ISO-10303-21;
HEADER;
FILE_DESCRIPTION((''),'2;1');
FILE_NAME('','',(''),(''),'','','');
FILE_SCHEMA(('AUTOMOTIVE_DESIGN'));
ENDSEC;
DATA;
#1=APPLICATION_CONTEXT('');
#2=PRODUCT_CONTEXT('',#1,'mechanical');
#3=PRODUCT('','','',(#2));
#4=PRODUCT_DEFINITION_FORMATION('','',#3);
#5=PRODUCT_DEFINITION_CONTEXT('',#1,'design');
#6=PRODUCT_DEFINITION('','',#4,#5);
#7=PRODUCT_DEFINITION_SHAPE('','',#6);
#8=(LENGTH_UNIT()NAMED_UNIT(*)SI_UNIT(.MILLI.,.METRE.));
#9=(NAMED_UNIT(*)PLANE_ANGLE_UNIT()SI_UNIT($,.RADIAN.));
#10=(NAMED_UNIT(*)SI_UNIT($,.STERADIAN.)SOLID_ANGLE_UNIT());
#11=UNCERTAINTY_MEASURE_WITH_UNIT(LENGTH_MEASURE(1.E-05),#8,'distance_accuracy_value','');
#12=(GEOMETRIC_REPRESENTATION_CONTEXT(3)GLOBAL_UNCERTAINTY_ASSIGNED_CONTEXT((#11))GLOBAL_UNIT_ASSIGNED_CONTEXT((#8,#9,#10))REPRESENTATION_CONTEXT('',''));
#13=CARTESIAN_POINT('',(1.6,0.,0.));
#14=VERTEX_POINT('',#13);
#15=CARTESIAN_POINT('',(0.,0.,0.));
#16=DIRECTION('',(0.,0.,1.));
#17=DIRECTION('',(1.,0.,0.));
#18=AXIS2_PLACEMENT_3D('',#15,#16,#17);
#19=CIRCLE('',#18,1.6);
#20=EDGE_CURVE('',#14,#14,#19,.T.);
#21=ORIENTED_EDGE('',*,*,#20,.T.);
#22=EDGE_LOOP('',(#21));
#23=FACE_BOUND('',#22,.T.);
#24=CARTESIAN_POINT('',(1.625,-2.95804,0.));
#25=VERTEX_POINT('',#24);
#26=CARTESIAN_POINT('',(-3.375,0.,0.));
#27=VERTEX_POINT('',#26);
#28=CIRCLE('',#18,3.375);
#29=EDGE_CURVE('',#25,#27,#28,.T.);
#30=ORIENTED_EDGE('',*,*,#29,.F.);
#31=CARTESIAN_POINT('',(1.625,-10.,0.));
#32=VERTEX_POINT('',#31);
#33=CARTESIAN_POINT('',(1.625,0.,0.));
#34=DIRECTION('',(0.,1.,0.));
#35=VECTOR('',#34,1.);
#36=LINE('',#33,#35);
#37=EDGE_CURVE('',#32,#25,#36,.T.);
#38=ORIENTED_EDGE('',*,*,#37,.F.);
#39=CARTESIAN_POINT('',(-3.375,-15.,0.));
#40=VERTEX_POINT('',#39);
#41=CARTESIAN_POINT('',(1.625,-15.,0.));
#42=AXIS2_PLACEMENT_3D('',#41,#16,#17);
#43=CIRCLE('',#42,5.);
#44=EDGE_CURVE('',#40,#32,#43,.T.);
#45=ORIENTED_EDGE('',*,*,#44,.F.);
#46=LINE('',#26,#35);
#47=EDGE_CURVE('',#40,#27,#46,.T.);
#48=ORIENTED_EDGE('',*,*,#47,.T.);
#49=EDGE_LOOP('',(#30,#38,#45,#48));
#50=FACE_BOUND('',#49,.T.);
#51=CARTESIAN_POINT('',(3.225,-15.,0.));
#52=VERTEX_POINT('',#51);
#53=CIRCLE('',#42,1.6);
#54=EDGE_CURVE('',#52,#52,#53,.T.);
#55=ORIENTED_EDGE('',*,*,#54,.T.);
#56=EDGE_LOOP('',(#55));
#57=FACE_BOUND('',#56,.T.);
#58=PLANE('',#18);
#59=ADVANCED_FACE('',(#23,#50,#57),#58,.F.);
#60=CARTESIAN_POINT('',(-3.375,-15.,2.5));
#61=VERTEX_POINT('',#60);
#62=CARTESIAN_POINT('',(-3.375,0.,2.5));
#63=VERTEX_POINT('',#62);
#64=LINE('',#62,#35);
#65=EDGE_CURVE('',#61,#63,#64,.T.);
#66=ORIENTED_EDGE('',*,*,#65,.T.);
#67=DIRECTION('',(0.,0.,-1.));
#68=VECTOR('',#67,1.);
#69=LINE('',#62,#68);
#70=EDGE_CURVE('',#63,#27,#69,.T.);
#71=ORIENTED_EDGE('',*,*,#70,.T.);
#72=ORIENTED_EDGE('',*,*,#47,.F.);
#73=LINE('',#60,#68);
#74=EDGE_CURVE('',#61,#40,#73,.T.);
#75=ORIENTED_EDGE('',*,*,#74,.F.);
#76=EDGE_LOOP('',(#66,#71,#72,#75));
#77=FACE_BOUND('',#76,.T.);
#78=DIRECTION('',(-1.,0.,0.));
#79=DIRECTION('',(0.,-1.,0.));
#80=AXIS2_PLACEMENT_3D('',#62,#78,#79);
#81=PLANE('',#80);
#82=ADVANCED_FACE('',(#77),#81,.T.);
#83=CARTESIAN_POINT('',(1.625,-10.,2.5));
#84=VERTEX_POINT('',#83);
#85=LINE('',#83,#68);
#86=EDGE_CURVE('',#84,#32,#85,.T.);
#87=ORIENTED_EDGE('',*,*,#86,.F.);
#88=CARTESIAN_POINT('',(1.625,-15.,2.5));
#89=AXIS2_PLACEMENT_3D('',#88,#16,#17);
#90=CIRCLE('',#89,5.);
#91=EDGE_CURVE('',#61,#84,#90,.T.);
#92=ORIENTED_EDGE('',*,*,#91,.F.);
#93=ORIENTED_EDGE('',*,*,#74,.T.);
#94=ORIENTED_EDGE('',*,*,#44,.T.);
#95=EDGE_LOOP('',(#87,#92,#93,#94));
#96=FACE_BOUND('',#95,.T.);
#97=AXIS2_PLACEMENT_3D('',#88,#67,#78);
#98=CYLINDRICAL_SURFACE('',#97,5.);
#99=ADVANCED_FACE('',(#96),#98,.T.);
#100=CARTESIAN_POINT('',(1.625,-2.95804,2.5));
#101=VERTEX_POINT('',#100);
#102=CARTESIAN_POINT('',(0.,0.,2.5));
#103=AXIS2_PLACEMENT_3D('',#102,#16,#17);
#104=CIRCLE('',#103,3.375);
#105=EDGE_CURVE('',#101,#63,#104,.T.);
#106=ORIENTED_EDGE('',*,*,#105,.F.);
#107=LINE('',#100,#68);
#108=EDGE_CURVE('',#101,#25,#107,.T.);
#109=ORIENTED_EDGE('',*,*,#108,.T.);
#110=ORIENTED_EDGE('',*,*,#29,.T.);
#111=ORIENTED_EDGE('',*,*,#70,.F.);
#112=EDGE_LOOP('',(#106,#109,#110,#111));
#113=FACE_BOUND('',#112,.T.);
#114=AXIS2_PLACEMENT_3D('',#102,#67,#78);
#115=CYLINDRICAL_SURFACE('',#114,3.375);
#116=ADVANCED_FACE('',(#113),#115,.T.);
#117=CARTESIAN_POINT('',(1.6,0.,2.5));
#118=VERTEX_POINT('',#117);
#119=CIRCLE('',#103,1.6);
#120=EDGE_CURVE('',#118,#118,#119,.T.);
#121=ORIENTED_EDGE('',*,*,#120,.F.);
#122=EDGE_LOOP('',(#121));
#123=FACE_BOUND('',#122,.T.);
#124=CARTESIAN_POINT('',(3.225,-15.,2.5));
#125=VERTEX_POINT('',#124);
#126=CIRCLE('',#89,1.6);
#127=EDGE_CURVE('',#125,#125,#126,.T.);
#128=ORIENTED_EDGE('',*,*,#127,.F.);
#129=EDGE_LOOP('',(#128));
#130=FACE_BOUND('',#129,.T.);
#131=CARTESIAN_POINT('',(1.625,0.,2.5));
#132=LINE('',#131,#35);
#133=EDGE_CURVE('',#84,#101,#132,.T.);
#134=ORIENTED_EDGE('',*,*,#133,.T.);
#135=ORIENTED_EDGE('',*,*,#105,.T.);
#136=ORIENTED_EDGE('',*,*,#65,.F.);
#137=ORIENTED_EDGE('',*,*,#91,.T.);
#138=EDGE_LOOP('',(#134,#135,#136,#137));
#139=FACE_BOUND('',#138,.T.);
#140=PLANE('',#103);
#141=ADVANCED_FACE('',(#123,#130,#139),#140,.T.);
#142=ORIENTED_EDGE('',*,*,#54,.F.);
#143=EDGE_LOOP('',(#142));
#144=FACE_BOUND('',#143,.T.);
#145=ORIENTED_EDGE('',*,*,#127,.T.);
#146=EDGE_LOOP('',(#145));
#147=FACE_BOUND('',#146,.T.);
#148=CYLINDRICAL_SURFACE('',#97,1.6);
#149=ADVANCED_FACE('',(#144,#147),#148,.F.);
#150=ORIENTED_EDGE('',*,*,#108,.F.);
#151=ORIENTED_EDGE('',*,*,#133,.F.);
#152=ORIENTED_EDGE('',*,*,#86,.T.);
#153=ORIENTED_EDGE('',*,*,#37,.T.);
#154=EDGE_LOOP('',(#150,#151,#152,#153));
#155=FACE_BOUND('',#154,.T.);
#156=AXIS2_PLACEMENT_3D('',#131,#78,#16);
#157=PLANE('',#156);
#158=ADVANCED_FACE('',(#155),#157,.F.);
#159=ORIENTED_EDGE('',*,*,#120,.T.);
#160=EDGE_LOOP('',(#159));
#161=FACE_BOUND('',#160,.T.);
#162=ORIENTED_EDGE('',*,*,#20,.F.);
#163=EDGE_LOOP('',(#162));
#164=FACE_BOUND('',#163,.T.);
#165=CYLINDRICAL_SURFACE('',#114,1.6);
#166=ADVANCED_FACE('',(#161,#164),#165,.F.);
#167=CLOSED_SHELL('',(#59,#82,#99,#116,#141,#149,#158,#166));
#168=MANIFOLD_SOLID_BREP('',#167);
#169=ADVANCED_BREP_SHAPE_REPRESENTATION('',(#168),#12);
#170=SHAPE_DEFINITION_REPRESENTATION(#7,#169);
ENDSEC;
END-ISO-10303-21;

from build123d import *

# Parameters (mm, degrees)
SKETCH1_R           = 5
SKETCH1_R_2         = 1.6
SKETCH1_R_3         = 3.375
BOSS_EXTRUDE1_DEPTH = 2.5


with BuildPart() as part:
    # Sketch1 → Boss-Extrude1 (new body)
    with BuildSketch(Plane.XY):
        with Locations((1.625, -15)):
            Circle(SKETCH1_R)
        with Locations((1.625, -15)):
            Circle(SKETCH1_R_2, mode=Mode.SUBTRACT)
        with BuildLine():
            Line((-3.375, 0), (-3.375, -15))
            ThreePointArc((-3.375, -15), (-1.910533906, -11.464466094), (1.625, -10))
            Line((1.625, -10), (1.625, -2.958039892))
            ThreePointArc((1.625, -2.958039892), (-1.718465886, -2.90473751), (-3.375, 0))
        make_face()
        Circle(SKETCH1_R_3)
        Circle(SKETCH1_R_2, mode=Mode.SUBTRACT)
    extrude(amount=BOSS_EXTRUDE1_DEPTH)


solid = part.part
